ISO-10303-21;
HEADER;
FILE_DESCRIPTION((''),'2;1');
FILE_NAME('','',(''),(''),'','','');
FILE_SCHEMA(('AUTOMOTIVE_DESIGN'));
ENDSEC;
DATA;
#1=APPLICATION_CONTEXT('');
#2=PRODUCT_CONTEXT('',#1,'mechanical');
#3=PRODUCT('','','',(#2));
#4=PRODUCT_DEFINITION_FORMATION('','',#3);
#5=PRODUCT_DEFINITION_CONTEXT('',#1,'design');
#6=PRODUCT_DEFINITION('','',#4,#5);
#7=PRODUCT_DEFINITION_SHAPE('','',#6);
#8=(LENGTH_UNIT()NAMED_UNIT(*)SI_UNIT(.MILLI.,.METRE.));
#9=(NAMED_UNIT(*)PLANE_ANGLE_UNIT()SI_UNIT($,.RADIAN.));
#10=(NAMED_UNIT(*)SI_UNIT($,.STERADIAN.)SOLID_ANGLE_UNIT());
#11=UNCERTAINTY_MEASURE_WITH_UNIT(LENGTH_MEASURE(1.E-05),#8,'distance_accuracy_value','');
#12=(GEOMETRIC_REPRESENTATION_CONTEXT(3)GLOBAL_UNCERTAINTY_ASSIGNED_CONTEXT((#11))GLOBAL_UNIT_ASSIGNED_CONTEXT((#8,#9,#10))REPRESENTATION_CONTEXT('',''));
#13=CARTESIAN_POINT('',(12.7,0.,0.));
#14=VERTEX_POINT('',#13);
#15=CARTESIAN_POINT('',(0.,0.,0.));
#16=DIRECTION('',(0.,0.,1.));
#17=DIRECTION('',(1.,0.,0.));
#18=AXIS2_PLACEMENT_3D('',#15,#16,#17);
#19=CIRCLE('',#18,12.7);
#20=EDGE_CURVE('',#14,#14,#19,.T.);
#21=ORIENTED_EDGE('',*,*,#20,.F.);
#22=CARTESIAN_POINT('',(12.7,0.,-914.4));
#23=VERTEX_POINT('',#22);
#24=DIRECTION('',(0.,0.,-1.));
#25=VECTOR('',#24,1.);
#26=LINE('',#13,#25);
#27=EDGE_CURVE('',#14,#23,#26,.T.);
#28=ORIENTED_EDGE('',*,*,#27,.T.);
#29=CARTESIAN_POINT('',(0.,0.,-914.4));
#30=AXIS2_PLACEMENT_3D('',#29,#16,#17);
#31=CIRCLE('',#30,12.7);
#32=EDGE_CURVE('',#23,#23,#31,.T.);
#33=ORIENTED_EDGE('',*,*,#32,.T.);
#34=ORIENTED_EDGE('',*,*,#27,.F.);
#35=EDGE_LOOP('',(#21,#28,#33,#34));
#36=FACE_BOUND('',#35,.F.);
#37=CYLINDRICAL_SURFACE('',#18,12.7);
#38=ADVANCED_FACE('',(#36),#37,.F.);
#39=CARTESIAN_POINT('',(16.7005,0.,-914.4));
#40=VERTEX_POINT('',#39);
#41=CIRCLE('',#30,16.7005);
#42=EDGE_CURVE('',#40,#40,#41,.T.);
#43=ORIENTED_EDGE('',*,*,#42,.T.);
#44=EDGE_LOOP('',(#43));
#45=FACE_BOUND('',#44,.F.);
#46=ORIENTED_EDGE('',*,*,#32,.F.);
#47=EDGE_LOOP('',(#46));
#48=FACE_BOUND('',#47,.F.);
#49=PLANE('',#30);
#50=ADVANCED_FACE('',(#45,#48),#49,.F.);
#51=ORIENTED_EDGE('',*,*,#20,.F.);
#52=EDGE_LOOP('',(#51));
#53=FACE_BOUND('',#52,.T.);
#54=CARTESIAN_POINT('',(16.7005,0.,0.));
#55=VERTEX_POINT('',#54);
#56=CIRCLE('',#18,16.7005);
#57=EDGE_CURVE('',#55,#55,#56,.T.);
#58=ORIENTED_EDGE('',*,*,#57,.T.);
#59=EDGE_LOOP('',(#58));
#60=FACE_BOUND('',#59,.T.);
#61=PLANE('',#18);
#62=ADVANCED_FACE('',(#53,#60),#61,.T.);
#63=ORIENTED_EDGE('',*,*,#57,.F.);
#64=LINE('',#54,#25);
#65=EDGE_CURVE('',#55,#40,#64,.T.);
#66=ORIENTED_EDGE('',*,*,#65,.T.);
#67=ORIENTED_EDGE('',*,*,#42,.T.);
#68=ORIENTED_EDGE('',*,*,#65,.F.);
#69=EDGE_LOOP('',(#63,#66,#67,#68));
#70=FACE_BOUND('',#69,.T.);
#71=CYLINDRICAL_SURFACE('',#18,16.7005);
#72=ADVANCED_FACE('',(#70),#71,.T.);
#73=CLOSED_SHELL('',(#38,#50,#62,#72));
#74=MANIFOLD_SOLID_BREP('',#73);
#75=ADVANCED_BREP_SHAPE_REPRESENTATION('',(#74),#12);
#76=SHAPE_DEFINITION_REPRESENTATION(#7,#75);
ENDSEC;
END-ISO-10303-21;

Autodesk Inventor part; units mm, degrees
ref_plane "YZ Plane" through (0, 0, 0) normal (1, 0, 0) x (0, 1, 0)
ref_plane "XZ Plane" through (0, 0, 0) normal (0, 1, 0) x (-1, 0, 0)
ref_plane "XY Plane" through (0, 0, 0) normal (0, 0, 1) x (1, 0, 0)
sketch "Sketch1" plane through (0, 0, 0) normal (0, 0, 1) x (1, 0, 0)
  circle A0 centre (0, 0) radius 16.7005
  circle A1 centre (0, 0) radius 12.7
  dimension "d0" = 33.401
  dimension "d1" = 25.4
extrude "Extrusion1" add sketch "Sketch1" against normal blind 914.4
properties part number "Euph Pipe 2"
